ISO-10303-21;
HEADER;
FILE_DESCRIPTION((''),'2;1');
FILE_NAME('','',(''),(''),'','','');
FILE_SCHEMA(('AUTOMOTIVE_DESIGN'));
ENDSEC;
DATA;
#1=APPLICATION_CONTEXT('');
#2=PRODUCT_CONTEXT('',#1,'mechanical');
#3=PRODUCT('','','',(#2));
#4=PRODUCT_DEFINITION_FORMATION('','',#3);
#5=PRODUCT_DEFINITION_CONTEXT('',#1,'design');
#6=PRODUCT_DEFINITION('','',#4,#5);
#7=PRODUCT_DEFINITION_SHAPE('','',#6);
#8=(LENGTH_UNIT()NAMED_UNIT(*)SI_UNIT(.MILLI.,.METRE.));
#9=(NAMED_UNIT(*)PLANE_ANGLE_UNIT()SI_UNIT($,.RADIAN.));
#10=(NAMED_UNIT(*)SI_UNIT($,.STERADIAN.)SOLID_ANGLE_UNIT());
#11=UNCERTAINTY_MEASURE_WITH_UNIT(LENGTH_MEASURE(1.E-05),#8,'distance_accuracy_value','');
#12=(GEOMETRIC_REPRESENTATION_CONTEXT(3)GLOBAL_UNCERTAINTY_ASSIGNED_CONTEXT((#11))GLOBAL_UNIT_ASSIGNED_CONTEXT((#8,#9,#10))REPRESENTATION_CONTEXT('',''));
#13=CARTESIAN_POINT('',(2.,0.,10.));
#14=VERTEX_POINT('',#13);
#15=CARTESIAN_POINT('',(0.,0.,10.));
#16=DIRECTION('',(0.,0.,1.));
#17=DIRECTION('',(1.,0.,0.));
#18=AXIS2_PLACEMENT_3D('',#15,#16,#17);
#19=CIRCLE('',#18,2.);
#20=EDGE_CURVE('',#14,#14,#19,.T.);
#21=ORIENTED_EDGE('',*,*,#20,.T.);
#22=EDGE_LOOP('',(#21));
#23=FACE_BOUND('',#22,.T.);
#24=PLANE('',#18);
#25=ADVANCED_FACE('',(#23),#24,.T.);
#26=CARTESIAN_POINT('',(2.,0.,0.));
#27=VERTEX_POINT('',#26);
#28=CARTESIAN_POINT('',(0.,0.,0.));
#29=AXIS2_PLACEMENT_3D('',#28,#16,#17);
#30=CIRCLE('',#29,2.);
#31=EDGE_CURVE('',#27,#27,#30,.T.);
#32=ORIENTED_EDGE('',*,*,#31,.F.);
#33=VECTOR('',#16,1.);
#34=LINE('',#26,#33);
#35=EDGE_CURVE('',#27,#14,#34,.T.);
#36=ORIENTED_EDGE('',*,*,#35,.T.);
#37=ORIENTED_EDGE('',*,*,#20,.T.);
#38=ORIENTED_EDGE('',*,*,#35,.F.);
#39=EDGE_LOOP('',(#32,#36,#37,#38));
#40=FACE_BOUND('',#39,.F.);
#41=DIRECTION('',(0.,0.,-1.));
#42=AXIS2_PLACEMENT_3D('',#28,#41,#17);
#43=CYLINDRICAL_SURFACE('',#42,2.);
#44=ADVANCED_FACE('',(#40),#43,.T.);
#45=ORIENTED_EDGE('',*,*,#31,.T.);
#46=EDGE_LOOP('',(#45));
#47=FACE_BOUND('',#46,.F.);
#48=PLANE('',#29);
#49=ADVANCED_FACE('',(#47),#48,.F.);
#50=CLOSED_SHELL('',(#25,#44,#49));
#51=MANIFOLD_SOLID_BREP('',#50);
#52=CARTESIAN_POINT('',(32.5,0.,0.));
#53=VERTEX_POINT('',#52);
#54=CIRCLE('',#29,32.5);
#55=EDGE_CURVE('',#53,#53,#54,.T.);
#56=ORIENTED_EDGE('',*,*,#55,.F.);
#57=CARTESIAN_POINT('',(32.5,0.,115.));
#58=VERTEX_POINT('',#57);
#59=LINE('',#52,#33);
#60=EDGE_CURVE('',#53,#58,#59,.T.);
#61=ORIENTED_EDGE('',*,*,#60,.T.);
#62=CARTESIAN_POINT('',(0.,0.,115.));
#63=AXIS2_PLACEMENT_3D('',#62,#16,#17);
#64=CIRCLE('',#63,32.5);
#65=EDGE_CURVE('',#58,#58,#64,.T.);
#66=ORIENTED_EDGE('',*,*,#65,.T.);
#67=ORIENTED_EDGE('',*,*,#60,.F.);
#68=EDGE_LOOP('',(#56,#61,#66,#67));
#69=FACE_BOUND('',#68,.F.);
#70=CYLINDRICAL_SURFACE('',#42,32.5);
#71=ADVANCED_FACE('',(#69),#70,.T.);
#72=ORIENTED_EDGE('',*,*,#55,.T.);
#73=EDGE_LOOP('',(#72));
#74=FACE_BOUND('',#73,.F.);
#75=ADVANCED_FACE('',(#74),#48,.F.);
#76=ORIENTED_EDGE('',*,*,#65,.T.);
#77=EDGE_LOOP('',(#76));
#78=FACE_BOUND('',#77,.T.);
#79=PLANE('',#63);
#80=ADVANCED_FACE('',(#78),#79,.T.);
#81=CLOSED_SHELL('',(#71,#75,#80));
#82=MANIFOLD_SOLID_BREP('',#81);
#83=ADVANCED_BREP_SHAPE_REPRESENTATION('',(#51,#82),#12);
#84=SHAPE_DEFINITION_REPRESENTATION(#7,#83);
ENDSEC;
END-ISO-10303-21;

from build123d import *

# Parameters (mm, degrees)
CYLINDER_R        = 32.5
CYLINDER_DEPTH    = 115
CYLINDER001_R     = 2
CYLINDER001_DEPTH = 10


with BuildPart() as cylinder:
    # Cylinder → Cylinder (new body)
    with BuildSketch(Plane.XY):
        Circle(CYLINDER_R)
    extrude(amount=CYLINDER_DEPTH)


with BuildPart() as cylinder001:
    # Cylinder001 → Cylinder001 (new body)
    with BuildSketch(Plane.XY):
        Circle(CYLINDER001_R)
    extrude(amount=CYLINDER001_DEPTH)


solid = Compound([cylinder.part, cylinder001.part])
